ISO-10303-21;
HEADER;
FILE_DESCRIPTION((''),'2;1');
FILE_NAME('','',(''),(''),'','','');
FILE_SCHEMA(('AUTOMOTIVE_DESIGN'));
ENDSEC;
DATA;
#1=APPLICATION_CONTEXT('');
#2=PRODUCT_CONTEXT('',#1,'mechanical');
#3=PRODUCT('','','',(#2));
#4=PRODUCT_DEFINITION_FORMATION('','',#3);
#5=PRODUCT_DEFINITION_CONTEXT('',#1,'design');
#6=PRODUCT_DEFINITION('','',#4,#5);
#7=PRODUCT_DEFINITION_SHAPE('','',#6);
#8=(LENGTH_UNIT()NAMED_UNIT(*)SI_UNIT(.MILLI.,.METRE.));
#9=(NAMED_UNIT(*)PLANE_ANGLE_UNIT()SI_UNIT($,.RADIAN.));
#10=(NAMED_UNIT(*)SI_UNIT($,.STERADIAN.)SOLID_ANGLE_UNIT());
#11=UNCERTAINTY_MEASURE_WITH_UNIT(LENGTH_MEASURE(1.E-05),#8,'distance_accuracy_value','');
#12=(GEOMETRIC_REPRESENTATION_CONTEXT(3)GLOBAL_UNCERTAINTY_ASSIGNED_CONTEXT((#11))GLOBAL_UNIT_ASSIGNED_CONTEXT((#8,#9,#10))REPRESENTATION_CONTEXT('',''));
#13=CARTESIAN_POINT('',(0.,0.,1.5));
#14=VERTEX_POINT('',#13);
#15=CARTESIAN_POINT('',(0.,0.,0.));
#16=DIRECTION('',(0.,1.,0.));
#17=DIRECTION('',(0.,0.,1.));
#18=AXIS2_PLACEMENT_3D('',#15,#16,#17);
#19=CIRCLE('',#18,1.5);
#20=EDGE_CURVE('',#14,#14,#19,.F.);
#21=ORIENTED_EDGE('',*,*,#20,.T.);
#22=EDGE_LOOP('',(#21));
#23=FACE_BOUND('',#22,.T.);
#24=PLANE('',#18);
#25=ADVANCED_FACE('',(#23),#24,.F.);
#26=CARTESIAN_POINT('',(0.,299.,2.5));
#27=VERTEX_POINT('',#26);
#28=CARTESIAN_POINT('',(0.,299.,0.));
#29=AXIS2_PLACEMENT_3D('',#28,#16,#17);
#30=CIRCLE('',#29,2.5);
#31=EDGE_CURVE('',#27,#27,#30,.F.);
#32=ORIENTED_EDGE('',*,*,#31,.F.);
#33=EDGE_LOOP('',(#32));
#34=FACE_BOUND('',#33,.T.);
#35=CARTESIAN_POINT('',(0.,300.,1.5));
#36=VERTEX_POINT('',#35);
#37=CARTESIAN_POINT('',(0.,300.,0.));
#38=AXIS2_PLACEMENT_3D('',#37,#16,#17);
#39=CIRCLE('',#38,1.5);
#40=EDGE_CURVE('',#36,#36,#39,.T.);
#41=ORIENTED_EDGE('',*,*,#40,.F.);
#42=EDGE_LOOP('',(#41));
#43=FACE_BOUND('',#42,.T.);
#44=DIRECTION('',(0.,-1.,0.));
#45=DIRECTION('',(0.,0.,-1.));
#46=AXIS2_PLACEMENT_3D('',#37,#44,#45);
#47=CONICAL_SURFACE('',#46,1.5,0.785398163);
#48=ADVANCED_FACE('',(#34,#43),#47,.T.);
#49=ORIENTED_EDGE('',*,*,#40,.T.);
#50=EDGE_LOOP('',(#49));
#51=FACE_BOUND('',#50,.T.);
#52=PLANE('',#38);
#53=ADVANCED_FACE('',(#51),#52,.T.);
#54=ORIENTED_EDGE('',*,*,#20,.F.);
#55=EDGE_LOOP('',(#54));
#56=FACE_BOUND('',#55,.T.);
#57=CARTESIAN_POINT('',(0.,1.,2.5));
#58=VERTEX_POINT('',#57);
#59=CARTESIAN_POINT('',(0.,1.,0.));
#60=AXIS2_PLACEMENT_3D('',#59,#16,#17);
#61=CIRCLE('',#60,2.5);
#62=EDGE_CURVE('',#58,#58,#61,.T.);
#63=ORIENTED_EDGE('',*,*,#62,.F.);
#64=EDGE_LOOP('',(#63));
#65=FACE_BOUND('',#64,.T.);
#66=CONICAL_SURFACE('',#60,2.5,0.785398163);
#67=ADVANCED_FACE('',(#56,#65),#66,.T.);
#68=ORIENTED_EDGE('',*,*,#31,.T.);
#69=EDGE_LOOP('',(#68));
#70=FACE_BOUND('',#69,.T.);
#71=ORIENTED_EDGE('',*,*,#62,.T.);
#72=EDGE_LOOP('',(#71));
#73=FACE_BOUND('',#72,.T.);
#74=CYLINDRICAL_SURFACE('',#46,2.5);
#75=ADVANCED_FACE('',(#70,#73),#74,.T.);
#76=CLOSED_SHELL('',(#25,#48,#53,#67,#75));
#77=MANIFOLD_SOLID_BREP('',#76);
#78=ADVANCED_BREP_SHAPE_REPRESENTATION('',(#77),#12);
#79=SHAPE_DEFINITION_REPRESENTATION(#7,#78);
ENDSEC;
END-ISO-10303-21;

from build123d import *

# Parameters (mm, degrees)
ESQUISSE1_R        = 2.5
BOSS_EXTRU_1_DEPTH = 300
CHANFREIN1_SIZE    = 1


with BuildPart() as part:
    # Esquisse1 → Boss.-Extru.1 (new body)
    with BuildSketch(Plane(origin=(0, 0, 0), x_dir=(1, 0, 0), z_dir=(0, 1, 0))):
        Circle(ESQUISSE1_R)
    extrude(amount=BOSS_EXTRU_1_DEPTH)

    # Chanfrein1
    chanfrein1_edges = [part.edges().sort_by_distance(p)[0] for p in [
        (-2.5, 0, 0),
        (-2.5, 300, 0),
    ]]
    chamfer(chanfrein1_edges, length=CHANFREIN1_SIZE)


solid = part.part
